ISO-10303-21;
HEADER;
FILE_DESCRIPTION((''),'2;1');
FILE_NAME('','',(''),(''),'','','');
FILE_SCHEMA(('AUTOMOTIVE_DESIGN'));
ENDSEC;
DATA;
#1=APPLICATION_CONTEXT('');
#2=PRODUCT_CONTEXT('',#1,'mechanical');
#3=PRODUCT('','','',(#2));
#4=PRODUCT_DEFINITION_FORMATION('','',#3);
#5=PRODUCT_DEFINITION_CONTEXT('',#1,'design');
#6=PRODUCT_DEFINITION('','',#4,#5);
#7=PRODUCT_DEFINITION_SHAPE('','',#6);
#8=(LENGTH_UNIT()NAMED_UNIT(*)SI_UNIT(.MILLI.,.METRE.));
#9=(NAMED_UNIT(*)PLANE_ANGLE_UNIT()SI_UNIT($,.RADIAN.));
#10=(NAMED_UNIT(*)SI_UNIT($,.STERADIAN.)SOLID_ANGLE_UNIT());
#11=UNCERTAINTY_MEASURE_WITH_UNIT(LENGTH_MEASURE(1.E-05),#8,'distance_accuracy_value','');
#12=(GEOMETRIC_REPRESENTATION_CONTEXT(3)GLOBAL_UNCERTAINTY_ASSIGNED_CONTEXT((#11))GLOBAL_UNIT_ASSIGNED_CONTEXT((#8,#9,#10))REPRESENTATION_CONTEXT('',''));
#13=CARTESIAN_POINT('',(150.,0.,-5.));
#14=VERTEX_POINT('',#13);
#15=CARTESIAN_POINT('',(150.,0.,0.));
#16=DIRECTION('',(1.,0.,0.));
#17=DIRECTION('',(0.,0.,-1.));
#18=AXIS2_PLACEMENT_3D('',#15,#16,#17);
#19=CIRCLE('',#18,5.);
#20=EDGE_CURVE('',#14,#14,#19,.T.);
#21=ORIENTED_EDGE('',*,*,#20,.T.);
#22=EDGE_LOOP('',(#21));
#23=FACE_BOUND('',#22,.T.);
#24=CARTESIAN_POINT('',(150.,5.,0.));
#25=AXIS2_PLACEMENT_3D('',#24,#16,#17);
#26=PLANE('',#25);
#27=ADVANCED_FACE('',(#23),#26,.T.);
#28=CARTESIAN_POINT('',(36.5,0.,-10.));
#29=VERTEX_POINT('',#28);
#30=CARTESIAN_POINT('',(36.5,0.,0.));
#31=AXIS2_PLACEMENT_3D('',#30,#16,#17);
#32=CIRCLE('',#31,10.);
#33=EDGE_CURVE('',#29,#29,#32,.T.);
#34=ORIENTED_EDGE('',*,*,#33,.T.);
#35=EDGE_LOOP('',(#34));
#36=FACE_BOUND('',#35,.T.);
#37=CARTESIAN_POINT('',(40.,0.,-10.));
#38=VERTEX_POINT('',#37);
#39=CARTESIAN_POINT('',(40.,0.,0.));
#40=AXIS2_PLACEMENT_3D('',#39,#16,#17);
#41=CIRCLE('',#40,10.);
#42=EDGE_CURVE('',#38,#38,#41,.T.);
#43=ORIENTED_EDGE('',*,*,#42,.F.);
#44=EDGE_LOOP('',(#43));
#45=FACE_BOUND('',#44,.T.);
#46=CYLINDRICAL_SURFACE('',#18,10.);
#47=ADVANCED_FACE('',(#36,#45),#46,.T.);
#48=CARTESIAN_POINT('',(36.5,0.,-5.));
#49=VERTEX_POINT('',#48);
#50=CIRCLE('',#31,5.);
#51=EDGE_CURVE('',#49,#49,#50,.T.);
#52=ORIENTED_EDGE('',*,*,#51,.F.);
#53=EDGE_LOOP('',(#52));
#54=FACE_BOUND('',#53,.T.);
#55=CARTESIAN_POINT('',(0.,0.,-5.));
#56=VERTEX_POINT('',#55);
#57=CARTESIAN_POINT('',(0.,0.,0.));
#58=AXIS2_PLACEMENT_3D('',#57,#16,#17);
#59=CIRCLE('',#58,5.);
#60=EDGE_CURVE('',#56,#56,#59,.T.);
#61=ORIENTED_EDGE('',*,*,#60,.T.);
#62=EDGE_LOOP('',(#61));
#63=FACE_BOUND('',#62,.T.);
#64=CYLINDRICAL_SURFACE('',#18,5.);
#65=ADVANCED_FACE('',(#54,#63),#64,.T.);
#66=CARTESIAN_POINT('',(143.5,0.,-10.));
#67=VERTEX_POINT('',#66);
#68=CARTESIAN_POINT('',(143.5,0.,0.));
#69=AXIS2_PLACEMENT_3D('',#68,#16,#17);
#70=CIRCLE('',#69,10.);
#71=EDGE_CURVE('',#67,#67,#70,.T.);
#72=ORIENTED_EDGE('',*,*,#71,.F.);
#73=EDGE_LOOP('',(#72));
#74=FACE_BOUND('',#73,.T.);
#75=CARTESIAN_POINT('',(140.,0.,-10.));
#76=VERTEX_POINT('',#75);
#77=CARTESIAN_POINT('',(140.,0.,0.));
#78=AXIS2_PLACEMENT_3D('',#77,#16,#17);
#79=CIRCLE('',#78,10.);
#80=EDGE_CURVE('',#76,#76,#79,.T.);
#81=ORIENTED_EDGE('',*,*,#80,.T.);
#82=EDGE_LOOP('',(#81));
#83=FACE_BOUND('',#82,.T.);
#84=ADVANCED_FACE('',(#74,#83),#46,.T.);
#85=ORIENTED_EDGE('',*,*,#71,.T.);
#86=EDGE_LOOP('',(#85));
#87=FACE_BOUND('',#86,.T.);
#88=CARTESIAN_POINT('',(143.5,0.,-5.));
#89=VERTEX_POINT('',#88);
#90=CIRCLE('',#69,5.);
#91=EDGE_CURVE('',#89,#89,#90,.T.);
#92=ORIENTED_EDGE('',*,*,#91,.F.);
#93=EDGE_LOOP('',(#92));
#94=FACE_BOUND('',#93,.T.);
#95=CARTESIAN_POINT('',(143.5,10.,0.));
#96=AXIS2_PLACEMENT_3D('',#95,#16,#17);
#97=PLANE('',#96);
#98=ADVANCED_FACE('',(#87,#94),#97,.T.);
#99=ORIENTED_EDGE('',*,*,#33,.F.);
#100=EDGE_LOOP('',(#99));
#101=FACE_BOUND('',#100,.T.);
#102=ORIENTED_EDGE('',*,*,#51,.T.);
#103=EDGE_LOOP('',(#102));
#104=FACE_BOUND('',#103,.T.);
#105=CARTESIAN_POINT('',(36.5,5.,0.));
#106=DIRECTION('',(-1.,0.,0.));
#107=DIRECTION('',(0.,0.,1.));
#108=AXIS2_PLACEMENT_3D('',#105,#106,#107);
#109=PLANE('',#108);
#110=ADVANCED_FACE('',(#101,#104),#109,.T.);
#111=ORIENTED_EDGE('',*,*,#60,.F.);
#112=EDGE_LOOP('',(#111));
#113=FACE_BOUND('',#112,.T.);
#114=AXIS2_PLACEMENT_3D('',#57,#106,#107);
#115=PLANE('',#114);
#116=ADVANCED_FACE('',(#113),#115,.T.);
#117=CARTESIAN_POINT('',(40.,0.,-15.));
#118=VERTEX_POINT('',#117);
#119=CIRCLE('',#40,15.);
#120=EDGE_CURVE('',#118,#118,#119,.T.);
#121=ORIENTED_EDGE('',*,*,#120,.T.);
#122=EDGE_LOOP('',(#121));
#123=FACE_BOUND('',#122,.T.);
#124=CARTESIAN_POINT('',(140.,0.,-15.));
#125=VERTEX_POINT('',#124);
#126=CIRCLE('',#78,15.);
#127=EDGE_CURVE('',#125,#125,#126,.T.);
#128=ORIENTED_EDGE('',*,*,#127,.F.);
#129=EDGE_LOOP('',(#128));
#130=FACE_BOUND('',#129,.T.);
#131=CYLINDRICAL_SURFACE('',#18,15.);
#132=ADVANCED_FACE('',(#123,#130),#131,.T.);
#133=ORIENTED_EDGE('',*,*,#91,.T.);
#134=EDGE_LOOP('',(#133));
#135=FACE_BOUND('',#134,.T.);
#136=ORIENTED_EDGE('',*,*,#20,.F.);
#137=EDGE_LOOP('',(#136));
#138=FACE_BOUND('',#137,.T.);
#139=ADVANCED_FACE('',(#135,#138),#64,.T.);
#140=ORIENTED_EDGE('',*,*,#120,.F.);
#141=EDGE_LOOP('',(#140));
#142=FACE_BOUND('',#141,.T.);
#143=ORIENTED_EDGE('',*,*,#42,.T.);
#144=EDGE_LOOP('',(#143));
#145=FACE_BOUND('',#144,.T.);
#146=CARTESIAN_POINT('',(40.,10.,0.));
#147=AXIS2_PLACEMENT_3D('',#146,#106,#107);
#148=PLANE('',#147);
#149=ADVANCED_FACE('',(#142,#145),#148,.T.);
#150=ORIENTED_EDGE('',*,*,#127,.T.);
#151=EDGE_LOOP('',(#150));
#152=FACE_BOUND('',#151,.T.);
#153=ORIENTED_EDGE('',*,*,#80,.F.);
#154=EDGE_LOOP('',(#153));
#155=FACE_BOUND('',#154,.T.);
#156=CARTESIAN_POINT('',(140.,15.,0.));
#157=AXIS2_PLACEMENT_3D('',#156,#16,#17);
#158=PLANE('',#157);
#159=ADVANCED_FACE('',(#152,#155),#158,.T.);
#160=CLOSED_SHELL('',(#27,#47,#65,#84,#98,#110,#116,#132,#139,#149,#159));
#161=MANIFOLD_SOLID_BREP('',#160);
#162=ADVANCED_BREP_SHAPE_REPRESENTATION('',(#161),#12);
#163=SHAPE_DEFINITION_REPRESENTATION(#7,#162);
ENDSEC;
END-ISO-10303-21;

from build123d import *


with BuildPart() as part:
    # 草图1 → 旋转1 (revolve)
    with BuildSketch(Plane.XY, mode=Mode.PRIVATE) as revolve_1_sk:
        Polygon((0, 0), (0, 5), (36.5, 5), (36.5, 10), (40, 10), (40, 15), (140, 15), (140, 10), (143.5, 10), (143.5, 5), (150, 5), (150, 0), align=None)
    revolve(revolve_1_sk.sketch.rotate(Axis((150, 0, 0), (-1, 0, 0)), 90), axis=Axis((150, 0, 0), (-1, 0, 0)))


solid = part.part
